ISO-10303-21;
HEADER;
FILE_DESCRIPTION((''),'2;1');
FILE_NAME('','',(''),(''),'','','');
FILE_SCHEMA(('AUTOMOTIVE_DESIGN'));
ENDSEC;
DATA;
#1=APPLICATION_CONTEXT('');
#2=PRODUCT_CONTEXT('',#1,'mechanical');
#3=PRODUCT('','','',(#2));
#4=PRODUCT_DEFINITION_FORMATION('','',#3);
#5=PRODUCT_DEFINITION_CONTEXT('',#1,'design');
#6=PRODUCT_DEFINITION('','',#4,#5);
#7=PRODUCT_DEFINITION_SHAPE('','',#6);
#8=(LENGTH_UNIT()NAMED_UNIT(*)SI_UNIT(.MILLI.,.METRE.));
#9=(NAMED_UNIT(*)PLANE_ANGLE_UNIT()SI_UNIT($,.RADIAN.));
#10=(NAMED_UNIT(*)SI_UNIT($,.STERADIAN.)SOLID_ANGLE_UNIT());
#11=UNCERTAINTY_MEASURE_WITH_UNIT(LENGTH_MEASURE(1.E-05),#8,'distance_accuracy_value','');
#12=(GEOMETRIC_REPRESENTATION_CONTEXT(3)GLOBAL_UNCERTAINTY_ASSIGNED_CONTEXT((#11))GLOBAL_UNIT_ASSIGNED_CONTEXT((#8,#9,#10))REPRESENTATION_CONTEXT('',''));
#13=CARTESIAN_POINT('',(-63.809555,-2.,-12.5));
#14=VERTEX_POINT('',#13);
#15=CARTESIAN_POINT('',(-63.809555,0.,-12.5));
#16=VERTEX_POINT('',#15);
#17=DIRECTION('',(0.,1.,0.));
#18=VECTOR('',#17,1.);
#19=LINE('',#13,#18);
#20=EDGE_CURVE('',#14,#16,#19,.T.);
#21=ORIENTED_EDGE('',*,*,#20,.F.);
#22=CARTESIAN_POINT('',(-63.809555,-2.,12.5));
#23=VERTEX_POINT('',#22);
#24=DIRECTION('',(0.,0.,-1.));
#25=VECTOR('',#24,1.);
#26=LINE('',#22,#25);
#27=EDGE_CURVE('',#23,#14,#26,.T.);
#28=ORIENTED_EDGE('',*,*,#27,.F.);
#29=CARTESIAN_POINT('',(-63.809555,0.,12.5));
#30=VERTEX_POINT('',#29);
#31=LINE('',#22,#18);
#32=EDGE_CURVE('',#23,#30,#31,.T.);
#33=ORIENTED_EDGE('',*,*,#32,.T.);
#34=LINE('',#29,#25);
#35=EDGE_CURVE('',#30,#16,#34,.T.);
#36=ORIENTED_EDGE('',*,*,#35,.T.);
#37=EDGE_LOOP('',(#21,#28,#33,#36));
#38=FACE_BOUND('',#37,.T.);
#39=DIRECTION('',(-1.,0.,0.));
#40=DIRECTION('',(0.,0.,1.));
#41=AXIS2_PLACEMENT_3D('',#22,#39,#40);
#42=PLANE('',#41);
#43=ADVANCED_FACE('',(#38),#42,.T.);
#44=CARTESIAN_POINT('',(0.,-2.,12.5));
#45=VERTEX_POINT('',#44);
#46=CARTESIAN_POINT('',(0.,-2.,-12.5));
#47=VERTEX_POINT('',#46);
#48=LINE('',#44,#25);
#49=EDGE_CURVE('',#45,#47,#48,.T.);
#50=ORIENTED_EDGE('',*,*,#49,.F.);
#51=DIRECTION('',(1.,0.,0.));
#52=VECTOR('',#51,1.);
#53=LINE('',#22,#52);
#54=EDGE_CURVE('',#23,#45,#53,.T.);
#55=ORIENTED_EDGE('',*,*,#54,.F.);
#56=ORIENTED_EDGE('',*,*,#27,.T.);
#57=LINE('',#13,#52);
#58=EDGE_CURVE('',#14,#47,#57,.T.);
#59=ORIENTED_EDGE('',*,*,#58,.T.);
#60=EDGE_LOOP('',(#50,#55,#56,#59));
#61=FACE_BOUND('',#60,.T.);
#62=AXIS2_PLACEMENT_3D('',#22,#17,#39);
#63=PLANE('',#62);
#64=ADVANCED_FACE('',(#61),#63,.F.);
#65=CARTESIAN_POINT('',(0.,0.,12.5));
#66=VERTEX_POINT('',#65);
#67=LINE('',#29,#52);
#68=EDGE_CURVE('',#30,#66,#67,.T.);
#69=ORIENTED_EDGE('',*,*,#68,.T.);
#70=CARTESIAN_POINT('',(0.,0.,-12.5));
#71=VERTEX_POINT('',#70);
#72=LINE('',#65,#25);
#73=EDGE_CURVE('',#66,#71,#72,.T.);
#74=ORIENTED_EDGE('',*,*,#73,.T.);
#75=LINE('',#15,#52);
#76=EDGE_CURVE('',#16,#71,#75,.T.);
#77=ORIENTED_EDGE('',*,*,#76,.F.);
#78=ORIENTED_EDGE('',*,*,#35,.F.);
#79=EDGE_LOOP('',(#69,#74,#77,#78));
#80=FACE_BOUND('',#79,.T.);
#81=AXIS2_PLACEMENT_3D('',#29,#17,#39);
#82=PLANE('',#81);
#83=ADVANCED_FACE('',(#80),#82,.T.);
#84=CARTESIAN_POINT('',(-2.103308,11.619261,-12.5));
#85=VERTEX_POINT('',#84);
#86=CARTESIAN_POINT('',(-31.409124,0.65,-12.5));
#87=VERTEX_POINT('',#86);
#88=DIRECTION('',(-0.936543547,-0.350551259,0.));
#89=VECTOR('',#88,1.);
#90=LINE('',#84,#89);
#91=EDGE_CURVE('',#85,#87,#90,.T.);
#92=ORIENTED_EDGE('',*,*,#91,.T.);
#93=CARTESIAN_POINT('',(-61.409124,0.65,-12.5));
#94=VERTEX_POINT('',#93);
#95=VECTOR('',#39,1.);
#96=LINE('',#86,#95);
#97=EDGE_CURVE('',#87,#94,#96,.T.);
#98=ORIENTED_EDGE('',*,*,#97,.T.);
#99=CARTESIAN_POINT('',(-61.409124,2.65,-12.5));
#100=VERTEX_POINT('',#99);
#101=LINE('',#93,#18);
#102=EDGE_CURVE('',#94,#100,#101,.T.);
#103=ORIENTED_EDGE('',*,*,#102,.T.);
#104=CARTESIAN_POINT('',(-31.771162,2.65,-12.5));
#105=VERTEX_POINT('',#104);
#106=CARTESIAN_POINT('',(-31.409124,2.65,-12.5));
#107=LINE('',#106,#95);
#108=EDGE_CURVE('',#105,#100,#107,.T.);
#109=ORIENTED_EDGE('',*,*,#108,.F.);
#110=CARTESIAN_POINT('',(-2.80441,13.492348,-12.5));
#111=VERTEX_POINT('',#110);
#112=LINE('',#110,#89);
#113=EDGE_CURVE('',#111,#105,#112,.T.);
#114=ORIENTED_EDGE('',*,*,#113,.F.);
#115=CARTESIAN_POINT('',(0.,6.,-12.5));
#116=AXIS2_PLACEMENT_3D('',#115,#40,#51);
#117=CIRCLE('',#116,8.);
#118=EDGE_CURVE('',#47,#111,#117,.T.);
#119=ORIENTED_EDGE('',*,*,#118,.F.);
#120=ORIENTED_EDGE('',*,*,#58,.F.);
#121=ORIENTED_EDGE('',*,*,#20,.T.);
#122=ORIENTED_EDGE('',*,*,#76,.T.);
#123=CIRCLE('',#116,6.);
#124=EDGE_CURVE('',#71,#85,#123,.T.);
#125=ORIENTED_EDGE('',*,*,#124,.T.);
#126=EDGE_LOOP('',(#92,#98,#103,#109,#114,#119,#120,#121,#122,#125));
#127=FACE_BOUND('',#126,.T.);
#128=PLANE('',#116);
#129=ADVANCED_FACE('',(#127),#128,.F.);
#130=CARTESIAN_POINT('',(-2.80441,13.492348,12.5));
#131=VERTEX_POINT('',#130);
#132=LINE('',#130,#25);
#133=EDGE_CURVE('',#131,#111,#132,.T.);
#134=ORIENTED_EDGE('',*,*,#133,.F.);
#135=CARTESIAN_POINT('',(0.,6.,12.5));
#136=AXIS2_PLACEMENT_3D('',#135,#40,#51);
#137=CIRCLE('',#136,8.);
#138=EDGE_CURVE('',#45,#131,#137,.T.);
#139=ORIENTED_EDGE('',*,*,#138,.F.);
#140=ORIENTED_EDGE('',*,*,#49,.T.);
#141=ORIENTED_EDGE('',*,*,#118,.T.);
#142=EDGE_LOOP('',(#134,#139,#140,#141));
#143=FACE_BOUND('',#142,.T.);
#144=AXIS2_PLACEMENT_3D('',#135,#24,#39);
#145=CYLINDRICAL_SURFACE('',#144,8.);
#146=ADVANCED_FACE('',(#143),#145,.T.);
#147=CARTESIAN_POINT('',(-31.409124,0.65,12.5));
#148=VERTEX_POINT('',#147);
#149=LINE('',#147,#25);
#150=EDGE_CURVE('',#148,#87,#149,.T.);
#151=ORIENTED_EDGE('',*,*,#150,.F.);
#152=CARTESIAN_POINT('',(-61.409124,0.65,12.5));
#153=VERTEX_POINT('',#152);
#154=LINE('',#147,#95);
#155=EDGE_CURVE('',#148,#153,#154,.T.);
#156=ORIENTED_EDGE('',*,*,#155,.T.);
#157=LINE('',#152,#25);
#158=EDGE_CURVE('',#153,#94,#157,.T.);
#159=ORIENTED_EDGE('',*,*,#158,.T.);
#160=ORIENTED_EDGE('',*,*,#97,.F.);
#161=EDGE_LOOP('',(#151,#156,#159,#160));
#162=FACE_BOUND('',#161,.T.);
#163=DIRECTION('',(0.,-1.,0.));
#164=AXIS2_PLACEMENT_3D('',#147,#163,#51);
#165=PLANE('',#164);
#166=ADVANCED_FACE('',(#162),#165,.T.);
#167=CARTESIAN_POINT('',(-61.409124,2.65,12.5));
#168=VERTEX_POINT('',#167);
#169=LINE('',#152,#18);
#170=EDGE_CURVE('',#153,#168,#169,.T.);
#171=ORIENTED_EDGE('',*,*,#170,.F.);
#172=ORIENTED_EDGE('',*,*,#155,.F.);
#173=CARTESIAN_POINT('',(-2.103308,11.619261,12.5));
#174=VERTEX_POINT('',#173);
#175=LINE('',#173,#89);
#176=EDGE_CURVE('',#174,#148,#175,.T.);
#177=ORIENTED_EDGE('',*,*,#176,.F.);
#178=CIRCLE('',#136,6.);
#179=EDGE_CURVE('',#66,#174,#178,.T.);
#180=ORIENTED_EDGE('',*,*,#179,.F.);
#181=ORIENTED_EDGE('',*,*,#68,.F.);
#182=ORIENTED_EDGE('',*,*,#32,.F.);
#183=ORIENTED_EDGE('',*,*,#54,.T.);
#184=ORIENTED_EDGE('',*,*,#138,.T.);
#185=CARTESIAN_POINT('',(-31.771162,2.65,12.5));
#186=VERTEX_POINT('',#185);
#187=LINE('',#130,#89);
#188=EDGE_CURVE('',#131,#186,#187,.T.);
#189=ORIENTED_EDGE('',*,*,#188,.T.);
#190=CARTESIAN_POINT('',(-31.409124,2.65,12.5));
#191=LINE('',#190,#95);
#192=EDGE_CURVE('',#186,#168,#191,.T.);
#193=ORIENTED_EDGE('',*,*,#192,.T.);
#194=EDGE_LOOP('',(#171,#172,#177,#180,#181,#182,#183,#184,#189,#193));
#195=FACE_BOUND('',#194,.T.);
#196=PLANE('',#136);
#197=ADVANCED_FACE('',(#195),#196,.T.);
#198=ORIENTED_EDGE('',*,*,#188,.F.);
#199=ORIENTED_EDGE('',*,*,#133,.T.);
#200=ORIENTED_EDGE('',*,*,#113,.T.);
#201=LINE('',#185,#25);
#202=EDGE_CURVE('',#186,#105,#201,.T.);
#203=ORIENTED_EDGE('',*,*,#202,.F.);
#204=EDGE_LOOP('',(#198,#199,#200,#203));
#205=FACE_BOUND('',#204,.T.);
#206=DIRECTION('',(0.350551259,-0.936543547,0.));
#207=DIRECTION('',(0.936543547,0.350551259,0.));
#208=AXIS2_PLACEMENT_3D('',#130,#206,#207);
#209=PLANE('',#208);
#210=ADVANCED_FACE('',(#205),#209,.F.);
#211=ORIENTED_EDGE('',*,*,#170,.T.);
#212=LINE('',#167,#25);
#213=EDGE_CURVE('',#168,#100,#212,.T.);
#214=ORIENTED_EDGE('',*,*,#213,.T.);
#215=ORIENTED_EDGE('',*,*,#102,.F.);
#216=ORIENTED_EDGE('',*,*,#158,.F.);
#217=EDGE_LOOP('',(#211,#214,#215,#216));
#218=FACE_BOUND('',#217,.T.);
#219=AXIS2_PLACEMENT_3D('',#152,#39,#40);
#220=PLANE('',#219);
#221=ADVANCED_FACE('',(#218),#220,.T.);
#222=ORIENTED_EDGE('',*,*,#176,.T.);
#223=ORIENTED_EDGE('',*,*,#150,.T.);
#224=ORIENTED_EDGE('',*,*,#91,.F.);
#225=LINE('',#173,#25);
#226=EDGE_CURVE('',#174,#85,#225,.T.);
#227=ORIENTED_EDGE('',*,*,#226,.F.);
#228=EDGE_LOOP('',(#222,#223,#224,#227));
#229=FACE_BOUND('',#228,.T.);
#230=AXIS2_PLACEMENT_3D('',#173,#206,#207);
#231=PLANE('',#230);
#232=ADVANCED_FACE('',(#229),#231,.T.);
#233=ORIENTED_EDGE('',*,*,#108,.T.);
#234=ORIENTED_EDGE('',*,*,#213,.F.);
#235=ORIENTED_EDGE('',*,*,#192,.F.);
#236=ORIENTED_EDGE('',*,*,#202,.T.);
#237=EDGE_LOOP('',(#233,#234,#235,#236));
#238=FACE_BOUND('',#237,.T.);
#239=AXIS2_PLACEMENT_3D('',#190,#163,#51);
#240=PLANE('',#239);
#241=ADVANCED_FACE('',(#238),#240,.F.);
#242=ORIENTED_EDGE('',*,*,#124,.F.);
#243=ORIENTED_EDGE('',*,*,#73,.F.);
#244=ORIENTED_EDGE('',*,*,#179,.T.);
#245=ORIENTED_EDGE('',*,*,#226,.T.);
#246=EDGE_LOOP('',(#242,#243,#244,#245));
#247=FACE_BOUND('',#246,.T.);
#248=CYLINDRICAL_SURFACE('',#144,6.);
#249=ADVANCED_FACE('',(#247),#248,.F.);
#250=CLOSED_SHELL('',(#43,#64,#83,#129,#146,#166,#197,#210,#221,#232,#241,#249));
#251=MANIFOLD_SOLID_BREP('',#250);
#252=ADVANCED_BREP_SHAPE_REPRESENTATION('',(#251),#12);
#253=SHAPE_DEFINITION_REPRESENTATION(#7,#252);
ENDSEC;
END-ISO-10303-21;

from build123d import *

# Parameters (mm, degrees)
EXTRUDE_THIN1_DEPTH = 12.5


with BuildPart() as part:
    # Sketch1 → Extrude-Thin1 (new, symmetric)
    with BuildSketch(Plane.XY):
        with BuildLine():
            Line((-63.809554967, 0), (0, 0))
            ThreePointArc((0, 0), (5.904048089, 7.068745133), (-2.103307553, 11.61926128))
            Line((-2.103307553, 11.61926128), (-31.409124045, 0.65))
            Line((-31.409124045, 0.65), (-61.409124045, 0.65))
            Line((-61.409124045, 0.65), (-61.409124045, 2.65))
            Line((-61.409124045, 2.65), (-31.77116213, 2.65))
            Line((-31.77116213, 2.65), (-2.804410071, 13.492348374))
            ThreePointArc((-2.804410071, 13.492348374), (7.872064119, 7.424993511), (0, -2))
            Line((0, -2), (-63.809554967, -2))
            Line((-63.809554967, -2), (-63.809554967, 0))
        make_face()
    extrude(amount=EXTRUDE_THIN1_DEPTH, both=True)


solid = part.part
